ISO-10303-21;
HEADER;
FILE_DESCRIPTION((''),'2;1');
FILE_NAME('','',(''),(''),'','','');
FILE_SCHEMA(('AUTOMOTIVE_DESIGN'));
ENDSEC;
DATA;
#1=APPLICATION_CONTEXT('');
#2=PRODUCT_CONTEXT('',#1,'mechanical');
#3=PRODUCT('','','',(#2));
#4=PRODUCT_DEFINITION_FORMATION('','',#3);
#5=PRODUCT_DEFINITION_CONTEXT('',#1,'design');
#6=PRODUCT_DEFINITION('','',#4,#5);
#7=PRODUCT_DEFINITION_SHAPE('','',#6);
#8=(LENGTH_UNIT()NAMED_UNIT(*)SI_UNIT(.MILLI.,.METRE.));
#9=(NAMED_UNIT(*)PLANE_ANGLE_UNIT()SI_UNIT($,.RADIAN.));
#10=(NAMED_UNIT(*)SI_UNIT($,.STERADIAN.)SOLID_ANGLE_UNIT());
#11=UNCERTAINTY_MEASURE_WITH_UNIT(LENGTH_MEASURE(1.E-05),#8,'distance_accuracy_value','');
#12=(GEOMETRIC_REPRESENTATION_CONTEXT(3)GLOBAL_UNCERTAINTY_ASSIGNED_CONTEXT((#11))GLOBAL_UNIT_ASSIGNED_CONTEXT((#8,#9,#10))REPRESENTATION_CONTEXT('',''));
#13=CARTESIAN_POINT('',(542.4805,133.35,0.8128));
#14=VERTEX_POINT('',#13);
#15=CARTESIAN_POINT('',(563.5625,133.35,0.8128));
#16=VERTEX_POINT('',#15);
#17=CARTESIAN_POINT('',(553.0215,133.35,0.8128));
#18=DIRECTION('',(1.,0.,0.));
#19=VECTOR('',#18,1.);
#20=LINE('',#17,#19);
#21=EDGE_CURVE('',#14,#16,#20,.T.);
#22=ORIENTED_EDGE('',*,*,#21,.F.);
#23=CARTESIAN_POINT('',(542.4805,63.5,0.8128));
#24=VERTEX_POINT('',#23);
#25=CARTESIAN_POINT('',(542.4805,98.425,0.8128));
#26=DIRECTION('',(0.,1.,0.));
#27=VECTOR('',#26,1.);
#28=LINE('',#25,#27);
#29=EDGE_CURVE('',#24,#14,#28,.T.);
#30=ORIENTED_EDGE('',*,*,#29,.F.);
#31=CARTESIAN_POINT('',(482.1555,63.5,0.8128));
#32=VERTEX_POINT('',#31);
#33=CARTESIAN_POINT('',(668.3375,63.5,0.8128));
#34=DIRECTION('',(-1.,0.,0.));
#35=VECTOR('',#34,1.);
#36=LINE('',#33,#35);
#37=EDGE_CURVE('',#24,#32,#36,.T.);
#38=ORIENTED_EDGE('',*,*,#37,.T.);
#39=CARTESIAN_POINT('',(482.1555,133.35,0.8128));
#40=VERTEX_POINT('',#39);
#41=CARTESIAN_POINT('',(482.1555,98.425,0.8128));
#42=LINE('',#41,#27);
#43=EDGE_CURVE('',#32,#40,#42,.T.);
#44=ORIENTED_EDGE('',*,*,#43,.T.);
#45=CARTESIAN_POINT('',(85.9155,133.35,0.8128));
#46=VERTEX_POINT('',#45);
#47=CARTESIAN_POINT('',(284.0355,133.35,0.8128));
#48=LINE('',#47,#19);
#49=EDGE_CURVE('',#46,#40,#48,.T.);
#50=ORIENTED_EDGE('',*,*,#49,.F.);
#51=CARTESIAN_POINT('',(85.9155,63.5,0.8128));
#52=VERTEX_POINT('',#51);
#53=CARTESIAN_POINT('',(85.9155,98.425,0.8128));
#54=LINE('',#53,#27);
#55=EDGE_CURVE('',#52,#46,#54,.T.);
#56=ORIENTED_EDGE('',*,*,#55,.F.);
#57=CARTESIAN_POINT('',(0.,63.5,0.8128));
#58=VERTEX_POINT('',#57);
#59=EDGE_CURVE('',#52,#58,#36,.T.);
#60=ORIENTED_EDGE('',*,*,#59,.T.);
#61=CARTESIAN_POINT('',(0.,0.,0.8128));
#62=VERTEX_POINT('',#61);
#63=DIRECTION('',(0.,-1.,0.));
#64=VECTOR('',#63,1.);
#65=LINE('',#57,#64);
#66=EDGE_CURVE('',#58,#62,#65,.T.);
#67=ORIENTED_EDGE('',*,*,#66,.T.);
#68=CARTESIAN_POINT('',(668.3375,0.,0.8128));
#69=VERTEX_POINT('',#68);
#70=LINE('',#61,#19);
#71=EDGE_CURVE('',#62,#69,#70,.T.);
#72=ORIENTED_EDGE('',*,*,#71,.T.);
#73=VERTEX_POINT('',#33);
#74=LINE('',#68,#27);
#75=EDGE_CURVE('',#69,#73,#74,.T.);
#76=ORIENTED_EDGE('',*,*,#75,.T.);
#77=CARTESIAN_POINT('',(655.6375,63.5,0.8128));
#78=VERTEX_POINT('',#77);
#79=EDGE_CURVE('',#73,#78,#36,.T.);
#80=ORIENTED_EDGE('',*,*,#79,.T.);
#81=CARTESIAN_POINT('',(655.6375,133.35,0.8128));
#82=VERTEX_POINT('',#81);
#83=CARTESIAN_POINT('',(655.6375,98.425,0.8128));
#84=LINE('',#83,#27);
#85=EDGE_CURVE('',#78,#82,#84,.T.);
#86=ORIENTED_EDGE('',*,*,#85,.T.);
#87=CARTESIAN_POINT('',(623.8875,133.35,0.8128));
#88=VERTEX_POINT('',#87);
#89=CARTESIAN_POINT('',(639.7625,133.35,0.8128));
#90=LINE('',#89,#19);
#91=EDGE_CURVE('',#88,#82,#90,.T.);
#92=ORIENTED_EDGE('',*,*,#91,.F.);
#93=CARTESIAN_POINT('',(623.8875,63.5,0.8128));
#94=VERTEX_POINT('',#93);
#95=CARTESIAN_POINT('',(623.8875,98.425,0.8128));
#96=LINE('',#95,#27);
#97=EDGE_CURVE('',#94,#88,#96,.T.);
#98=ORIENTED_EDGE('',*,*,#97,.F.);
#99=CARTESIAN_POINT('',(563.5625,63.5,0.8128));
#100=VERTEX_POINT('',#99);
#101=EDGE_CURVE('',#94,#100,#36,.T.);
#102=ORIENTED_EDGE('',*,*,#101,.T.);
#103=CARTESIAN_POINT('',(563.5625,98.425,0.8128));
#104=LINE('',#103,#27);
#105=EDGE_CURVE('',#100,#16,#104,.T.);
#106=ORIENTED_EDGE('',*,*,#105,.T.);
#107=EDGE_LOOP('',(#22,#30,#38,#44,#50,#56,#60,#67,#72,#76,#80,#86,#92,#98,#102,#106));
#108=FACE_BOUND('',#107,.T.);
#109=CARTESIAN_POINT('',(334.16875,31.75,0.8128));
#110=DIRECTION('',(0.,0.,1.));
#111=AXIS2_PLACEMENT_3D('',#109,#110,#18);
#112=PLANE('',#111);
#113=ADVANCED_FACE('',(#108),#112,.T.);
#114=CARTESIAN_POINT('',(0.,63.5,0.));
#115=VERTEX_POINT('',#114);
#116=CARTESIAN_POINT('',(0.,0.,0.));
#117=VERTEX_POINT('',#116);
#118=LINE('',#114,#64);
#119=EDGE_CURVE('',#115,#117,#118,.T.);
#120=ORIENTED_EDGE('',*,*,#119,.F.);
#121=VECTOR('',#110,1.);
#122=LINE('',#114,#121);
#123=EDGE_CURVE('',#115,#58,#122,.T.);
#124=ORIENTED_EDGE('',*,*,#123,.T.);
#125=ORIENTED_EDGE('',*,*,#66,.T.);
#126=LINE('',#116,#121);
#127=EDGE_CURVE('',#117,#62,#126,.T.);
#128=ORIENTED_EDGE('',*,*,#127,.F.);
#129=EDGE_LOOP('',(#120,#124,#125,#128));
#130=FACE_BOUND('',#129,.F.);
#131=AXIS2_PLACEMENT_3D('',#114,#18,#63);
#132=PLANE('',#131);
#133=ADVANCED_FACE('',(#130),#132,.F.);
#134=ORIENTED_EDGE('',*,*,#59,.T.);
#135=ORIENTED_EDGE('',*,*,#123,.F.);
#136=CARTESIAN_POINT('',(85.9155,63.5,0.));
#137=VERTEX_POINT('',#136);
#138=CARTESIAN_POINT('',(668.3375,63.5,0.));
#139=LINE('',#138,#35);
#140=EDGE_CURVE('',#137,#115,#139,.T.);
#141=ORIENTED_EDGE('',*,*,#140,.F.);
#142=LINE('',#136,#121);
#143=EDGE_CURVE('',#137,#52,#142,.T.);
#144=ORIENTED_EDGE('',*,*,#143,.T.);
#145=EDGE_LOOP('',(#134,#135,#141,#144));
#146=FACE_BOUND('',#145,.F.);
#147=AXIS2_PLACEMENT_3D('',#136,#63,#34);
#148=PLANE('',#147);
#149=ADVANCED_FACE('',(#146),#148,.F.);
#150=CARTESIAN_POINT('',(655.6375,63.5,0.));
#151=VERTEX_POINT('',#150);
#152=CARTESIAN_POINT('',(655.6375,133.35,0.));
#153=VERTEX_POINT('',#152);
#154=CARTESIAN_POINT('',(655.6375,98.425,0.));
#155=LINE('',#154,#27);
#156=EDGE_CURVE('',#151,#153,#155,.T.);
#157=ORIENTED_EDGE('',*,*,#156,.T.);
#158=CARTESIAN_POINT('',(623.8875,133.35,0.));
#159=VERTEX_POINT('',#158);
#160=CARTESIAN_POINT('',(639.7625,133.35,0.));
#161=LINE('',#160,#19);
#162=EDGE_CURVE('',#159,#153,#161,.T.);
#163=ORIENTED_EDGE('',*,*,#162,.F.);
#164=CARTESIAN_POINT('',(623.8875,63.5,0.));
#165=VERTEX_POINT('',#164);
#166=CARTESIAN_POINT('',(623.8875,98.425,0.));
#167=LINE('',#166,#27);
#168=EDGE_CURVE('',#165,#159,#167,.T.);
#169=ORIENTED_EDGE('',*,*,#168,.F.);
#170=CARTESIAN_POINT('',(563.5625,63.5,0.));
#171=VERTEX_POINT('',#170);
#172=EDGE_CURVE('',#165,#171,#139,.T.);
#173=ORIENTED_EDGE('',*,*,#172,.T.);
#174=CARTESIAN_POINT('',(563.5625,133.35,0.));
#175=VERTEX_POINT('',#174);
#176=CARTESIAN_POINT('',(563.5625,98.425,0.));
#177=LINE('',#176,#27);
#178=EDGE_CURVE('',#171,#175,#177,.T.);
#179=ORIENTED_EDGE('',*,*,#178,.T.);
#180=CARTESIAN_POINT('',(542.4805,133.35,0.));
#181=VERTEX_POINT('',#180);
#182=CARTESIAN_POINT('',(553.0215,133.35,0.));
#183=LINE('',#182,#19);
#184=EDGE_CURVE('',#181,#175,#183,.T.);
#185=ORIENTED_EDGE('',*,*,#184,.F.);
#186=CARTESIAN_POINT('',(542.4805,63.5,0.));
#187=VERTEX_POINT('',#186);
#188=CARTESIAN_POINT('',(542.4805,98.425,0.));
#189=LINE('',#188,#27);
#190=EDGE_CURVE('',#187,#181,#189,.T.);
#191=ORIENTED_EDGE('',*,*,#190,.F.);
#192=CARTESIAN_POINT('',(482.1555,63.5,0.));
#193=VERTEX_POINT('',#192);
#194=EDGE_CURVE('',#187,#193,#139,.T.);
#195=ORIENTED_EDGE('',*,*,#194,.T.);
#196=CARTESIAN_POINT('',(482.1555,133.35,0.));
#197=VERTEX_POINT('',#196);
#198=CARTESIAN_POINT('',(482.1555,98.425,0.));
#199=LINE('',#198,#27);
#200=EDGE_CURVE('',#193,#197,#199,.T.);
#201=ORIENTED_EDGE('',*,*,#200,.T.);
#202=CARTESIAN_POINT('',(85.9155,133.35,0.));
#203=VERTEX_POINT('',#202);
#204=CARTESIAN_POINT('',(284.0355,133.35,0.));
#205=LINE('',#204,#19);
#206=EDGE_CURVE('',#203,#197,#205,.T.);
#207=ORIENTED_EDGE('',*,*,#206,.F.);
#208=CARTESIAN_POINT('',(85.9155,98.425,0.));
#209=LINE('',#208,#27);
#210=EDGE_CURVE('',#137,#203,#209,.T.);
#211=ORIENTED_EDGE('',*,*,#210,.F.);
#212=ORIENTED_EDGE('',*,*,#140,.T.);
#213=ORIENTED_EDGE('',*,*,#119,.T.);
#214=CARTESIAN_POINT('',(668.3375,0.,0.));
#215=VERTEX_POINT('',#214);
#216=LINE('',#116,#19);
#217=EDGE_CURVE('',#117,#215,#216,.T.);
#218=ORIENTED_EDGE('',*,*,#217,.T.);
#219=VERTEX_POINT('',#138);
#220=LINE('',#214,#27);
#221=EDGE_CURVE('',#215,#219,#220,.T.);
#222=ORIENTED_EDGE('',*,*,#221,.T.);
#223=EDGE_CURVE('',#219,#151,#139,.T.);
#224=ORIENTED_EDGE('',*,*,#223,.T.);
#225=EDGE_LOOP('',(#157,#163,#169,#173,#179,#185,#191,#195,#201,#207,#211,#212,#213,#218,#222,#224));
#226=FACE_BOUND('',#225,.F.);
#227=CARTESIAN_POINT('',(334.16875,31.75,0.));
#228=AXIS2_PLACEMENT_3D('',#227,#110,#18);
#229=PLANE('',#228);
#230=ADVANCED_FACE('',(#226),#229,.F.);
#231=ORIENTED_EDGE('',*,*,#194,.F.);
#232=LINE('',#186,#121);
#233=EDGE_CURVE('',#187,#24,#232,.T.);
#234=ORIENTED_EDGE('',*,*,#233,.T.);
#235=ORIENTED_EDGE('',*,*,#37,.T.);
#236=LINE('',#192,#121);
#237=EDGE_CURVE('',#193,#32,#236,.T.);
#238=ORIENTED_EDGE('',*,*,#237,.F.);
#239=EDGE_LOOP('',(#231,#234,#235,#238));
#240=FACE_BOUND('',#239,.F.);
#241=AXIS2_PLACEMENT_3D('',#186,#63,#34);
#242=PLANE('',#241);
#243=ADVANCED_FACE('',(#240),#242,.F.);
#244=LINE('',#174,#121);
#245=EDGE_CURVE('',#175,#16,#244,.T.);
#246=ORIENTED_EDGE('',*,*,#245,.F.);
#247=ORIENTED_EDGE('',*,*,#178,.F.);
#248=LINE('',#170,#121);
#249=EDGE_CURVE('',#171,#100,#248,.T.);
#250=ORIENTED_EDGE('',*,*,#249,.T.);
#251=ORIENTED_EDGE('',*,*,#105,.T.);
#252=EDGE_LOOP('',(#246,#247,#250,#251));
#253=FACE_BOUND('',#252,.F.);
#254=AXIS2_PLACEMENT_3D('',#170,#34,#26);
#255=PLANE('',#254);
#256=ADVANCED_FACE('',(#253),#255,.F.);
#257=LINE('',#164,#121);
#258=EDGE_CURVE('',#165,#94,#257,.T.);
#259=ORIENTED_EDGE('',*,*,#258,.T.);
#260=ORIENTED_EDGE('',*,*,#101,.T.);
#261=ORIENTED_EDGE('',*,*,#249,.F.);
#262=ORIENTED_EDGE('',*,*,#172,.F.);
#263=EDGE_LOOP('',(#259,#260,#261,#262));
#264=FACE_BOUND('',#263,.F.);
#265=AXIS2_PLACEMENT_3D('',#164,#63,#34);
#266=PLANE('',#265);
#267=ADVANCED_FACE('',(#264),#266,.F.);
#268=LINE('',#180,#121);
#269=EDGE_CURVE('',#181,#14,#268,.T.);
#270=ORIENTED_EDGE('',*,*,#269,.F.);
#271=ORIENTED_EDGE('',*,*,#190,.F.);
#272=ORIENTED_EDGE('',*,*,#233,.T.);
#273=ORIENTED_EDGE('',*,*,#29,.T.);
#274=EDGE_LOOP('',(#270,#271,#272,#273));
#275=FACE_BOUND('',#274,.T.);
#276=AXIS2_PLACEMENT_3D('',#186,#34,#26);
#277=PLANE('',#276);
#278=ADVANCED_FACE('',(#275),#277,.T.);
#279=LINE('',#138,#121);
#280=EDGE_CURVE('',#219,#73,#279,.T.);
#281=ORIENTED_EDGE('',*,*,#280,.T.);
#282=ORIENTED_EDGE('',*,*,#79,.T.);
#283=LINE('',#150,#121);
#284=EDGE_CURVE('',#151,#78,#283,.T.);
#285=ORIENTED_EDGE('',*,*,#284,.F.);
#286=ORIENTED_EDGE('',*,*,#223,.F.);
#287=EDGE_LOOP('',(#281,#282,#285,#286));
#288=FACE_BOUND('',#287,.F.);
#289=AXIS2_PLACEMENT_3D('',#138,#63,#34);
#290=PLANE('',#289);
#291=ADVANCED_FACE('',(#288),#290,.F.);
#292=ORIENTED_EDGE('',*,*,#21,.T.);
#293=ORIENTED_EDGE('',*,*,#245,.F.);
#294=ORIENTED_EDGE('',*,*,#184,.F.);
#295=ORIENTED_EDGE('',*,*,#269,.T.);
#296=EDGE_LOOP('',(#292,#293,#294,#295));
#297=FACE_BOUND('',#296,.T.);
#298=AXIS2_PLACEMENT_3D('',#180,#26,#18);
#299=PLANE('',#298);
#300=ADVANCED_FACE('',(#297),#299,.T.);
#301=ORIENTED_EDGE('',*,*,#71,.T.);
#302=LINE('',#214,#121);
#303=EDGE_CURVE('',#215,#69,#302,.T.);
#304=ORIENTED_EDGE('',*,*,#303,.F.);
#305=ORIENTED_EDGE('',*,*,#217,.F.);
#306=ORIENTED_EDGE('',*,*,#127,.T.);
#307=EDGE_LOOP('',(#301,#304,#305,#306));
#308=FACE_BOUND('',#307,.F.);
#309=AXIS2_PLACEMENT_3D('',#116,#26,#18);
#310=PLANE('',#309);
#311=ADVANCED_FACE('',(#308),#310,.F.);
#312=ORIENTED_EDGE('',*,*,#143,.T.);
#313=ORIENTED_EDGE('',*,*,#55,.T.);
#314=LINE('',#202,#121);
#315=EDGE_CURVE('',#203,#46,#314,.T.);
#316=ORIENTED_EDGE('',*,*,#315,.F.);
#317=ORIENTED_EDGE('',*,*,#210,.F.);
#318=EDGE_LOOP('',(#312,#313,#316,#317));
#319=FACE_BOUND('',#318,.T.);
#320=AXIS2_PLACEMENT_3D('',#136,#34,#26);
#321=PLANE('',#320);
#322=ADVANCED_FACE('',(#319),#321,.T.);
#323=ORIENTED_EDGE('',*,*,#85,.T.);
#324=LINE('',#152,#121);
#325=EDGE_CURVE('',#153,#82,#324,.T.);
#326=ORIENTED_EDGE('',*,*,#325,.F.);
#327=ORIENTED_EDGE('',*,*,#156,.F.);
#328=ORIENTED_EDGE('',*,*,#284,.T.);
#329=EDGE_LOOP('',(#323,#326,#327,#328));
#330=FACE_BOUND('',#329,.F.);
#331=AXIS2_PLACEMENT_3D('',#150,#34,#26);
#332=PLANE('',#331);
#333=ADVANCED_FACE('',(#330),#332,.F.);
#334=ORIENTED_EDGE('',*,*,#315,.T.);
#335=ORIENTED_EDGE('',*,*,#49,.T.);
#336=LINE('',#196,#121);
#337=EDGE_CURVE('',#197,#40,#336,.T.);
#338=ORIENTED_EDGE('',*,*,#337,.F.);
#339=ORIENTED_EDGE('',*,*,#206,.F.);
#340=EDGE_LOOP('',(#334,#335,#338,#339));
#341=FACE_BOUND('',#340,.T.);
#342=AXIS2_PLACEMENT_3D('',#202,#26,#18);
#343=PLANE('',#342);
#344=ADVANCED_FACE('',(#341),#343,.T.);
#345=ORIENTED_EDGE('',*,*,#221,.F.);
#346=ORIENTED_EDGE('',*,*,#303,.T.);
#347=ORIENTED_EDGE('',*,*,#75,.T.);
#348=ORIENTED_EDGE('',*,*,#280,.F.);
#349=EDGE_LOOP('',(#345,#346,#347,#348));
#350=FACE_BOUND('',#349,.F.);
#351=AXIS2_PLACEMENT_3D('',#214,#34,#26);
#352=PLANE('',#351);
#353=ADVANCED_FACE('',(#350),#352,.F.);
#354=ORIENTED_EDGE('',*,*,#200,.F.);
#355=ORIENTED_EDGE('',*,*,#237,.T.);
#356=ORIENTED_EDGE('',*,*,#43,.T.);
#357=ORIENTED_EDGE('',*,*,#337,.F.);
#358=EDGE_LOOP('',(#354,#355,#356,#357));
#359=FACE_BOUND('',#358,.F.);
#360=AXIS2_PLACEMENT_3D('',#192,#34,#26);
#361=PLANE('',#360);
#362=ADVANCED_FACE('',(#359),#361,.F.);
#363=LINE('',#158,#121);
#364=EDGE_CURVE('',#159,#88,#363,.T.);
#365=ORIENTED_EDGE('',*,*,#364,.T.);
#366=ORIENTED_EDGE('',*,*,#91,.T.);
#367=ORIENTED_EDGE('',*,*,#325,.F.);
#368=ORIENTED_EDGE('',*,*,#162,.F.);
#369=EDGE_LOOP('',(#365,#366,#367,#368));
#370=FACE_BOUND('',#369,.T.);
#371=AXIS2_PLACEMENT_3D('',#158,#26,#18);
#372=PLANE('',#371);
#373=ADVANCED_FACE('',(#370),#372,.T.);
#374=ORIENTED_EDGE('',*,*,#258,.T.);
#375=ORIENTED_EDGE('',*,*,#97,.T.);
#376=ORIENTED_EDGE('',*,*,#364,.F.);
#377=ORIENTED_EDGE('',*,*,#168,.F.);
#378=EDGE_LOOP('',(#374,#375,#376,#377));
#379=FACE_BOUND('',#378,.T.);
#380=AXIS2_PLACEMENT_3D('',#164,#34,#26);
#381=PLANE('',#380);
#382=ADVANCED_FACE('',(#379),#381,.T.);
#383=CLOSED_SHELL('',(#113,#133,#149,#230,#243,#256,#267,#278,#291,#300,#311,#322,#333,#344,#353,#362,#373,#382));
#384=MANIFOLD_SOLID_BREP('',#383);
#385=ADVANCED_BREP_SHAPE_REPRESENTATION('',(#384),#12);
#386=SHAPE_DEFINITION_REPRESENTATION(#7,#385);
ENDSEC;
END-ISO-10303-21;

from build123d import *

# Parameters (mm, degrees)
F0_W     = 396.24
F0_H     = 69.85
F0_W_2   = 21.082
F0_W_3   = 31.75
F1_DEPTH = 0.8128


with BuildPart() as f1:
    # F0 (on Top) → F1 (new body)
    with BuildSketch(Plane.XY):
        Polygon((0, 63.5), (0, 0), (668.3375, 0), (668.3375, 63.5), (655.6375, 63.5), (623.8875, 63.5), (563.5625, 63.5), (542.4805, 63.5), (482.1555, 63.5), (85.9155, 63.5), align=None)
        with Locations((284.0355, 98.425)):
            Rectangle(F0_W, F0_H)
        with Locations((553.0215, 98.425)):
            Rectangle(F0_W_2, F0_H)
        with Locations((639.7625, 98.425)):
            Rectangle(F0_W_3, F0_H)
    extrude(amount=F1_DEPTH)


solid = f1.part
